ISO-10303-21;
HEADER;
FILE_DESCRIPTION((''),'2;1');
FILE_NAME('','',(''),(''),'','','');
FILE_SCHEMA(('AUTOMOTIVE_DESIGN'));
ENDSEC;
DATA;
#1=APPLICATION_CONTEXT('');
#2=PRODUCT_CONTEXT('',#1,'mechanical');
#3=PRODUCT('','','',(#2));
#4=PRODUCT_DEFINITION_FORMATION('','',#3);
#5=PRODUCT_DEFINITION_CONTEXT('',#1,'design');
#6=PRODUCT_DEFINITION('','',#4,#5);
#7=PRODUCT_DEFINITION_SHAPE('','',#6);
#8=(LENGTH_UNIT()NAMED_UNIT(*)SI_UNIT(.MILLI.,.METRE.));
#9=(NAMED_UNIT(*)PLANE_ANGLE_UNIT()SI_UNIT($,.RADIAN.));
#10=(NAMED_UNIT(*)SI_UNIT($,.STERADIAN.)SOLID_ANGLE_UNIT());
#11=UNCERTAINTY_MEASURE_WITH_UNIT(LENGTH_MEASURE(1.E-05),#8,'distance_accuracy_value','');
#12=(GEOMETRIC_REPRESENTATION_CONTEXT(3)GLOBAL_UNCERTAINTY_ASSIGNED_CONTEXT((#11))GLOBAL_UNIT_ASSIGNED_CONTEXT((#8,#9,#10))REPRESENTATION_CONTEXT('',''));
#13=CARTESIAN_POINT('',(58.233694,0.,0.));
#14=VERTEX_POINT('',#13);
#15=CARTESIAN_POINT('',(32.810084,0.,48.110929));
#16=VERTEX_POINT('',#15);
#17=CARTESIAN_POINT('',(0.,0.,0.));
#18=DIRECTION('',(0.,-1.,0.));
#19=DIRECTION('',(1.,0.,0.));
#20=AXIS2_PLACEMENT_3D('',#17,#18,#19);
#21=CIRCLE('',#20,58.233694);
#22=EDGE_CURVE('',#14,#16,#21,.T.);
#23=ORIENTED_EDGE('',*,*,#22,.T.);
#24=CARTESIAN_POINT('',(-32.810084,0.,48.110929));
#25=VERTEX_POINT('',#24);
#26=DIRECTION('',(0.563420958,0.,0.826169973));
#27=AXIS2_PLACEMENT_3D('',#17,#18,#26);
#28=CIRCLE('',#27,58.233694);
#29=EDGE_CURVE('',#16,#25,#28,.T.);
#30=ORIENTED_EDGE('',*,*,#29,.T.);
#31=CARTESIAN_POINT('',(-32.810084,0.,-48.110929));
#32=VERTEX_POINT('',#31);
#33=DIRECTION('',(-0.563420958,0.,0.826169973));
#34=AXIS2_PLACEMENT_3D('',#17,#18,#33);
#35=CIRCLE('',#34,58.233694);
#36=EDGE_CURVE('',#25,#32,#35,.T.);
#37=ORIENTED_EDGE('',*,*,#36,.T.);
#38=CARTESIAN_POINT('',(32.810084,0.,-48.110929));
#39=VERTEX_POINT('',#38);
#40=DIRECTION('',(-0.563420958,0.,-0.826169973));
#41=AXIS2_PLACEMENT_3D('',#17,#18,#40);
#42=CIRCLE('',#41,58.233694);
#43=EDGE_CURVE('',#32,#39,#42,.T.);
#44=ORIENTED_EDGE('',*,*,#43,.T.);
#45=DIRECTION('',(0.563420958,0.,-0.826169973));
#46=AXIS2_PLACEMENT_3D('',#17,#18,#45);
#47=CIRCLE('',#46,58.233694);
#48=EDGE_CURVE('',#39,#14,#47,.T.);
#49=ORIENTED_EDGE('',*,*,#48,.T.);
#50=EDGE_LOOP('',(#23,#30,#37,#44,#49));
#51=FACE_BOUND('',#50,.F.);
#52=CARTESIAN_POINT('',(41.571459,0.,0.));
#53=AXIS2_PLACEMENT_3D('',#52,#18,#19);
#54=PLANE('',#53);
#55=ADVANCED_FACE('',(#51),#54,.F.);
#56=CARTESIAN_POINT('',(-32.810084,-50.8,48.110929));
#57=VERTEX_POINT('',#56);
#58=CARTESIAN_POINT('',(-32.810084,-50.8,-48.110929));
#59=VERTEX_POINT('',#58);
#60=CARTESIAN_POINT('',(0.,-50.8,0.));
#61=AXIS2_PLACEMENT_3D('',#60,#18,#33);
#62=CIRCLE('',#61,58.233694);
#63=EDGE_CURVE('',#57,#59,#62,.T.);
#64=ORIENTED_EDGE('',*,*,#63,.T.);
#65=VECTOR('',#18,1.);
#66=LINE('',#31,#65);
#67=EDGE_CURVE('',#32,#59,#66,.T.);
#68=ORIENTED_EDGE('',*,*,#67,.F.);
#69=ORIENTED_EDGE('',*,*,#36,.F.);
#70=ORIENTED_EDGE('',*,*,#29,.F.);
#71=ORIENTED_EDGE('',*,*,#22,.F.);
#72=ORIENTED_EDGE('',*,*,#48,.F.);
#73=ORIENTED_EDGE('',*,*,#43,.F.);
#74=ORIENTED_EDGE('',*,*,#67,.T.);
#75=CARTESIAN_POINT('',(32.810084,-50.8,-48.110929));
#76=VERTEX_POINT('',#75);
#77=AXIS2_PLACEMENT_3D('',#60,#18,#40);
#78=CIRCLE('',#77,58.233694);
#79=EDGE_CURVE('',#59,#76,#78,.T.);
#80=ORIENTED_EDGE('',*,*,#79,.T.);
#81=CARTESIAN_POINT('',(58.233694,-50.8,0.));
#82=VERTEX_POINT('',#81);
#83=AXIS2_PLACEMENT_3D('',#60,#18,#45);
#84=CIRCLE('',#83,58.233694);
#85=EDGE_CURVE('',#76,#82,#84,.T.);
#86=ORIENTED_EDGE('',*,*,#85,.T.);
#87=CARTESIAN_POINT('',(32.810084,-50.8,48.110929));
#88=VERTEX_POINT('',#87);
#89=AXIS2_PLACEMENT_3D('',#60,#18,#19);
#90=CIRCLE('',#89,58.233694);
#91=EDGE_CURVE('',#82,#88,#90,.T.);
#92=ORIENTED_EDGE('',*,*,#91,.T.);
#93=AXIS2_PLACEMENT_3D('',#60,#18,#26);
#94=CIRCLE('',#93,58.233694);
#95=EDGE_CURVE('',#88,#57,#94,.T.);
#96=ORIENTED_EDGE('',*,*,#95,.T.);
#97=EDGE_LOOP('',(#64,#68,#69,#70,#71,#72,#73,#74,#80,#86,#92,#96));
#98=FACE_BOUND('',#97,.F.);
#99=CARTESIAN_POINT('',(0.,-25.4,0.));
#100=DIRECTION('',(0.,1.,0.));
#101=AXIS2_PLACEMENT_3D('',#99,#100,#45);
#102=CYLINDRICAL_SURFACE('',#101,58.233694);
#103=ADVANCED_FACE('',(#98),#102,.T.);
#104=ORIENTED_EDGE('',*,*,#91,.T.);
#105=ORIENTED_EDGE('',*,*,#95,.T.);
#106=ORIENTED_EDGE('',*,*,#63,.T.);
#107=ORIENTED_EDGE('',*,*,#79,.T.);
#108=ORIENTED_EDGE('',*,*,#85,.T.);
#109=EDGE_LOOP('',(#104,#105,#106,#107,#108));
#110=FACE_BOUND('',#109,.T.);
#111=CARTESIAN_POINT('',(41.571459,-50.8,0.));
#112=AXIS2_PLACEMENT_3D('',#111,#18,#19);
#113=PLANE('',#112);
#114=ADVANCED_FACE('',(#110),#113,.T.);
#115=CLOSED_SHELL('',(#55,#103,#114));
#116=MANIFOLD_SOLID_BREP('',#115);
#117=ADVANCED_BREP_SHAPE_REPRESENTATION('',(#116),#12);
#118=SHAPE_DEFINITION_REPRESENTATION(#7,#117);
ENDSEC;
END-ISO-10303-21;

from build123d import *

# Parameters (mm, degrees)
F0_W     = 65.6201670203
F0_H     = 96.2218583371
F1_DEPTH = 25.4
F2_DEPTH = 25.4


with BuildPart() as f1:
    # F0 (on Front) → F1 (new body)
    with BuildSketch(Plane.XZ):
        with BuildLine():
            ThreePointArc((32.8100835102, -48.1109291686), (51.486966505, -27.2076343241), (58.2336937297, 0))
            ThreePointArc((58.2336937297, 0), (51.486966505, 27.2076343241), (32.8100835102, 48.1109291686))
            Line((32.8100835102, 48.1109291686), (32.8100835102, -48.1109291686))
        make_face()
        with BuildLine():
            Line((-32.8100835102, 48.1109291686), (32.8100835102, 48.1109291686))
            ThreePointArc((32.8100835102, 48.1109291686), (0, 58.2336937297), (-32.8100835102, 48.1109291686))
        make_face()
        Rectangle(F0_W, F0_H)
        with BuildLine():
            ThreePointArc((-32.8100835102, -48.1109291686), (0, -58.2336937297), (32.8100835102, -48.1109291686))
            Line((32.8100835102, -48.1109291686), (-32.8100835102, -48.1109291686))
        make_face()
        with BuildLine():
            Line((-32.8100835102, -48.1109291686), (-32.8100835102, 48.1109291686))
            ThreePointArc((-32.8100835102, 48.1109291686), (-58.2336937297, 0), (-32.8100835102, -48.1109291686))
        make_face()
    extrude(amount=F1_DEPTH)

    # F2 (add): a face of the model
    f2_faces = [f1.faces().sort_by_distance(p)[0] for p in [
        (0, -25.4, 0),
    ]]
    extrude(f2_faces, amount=F2_DEPTH)


solid = f1.part
